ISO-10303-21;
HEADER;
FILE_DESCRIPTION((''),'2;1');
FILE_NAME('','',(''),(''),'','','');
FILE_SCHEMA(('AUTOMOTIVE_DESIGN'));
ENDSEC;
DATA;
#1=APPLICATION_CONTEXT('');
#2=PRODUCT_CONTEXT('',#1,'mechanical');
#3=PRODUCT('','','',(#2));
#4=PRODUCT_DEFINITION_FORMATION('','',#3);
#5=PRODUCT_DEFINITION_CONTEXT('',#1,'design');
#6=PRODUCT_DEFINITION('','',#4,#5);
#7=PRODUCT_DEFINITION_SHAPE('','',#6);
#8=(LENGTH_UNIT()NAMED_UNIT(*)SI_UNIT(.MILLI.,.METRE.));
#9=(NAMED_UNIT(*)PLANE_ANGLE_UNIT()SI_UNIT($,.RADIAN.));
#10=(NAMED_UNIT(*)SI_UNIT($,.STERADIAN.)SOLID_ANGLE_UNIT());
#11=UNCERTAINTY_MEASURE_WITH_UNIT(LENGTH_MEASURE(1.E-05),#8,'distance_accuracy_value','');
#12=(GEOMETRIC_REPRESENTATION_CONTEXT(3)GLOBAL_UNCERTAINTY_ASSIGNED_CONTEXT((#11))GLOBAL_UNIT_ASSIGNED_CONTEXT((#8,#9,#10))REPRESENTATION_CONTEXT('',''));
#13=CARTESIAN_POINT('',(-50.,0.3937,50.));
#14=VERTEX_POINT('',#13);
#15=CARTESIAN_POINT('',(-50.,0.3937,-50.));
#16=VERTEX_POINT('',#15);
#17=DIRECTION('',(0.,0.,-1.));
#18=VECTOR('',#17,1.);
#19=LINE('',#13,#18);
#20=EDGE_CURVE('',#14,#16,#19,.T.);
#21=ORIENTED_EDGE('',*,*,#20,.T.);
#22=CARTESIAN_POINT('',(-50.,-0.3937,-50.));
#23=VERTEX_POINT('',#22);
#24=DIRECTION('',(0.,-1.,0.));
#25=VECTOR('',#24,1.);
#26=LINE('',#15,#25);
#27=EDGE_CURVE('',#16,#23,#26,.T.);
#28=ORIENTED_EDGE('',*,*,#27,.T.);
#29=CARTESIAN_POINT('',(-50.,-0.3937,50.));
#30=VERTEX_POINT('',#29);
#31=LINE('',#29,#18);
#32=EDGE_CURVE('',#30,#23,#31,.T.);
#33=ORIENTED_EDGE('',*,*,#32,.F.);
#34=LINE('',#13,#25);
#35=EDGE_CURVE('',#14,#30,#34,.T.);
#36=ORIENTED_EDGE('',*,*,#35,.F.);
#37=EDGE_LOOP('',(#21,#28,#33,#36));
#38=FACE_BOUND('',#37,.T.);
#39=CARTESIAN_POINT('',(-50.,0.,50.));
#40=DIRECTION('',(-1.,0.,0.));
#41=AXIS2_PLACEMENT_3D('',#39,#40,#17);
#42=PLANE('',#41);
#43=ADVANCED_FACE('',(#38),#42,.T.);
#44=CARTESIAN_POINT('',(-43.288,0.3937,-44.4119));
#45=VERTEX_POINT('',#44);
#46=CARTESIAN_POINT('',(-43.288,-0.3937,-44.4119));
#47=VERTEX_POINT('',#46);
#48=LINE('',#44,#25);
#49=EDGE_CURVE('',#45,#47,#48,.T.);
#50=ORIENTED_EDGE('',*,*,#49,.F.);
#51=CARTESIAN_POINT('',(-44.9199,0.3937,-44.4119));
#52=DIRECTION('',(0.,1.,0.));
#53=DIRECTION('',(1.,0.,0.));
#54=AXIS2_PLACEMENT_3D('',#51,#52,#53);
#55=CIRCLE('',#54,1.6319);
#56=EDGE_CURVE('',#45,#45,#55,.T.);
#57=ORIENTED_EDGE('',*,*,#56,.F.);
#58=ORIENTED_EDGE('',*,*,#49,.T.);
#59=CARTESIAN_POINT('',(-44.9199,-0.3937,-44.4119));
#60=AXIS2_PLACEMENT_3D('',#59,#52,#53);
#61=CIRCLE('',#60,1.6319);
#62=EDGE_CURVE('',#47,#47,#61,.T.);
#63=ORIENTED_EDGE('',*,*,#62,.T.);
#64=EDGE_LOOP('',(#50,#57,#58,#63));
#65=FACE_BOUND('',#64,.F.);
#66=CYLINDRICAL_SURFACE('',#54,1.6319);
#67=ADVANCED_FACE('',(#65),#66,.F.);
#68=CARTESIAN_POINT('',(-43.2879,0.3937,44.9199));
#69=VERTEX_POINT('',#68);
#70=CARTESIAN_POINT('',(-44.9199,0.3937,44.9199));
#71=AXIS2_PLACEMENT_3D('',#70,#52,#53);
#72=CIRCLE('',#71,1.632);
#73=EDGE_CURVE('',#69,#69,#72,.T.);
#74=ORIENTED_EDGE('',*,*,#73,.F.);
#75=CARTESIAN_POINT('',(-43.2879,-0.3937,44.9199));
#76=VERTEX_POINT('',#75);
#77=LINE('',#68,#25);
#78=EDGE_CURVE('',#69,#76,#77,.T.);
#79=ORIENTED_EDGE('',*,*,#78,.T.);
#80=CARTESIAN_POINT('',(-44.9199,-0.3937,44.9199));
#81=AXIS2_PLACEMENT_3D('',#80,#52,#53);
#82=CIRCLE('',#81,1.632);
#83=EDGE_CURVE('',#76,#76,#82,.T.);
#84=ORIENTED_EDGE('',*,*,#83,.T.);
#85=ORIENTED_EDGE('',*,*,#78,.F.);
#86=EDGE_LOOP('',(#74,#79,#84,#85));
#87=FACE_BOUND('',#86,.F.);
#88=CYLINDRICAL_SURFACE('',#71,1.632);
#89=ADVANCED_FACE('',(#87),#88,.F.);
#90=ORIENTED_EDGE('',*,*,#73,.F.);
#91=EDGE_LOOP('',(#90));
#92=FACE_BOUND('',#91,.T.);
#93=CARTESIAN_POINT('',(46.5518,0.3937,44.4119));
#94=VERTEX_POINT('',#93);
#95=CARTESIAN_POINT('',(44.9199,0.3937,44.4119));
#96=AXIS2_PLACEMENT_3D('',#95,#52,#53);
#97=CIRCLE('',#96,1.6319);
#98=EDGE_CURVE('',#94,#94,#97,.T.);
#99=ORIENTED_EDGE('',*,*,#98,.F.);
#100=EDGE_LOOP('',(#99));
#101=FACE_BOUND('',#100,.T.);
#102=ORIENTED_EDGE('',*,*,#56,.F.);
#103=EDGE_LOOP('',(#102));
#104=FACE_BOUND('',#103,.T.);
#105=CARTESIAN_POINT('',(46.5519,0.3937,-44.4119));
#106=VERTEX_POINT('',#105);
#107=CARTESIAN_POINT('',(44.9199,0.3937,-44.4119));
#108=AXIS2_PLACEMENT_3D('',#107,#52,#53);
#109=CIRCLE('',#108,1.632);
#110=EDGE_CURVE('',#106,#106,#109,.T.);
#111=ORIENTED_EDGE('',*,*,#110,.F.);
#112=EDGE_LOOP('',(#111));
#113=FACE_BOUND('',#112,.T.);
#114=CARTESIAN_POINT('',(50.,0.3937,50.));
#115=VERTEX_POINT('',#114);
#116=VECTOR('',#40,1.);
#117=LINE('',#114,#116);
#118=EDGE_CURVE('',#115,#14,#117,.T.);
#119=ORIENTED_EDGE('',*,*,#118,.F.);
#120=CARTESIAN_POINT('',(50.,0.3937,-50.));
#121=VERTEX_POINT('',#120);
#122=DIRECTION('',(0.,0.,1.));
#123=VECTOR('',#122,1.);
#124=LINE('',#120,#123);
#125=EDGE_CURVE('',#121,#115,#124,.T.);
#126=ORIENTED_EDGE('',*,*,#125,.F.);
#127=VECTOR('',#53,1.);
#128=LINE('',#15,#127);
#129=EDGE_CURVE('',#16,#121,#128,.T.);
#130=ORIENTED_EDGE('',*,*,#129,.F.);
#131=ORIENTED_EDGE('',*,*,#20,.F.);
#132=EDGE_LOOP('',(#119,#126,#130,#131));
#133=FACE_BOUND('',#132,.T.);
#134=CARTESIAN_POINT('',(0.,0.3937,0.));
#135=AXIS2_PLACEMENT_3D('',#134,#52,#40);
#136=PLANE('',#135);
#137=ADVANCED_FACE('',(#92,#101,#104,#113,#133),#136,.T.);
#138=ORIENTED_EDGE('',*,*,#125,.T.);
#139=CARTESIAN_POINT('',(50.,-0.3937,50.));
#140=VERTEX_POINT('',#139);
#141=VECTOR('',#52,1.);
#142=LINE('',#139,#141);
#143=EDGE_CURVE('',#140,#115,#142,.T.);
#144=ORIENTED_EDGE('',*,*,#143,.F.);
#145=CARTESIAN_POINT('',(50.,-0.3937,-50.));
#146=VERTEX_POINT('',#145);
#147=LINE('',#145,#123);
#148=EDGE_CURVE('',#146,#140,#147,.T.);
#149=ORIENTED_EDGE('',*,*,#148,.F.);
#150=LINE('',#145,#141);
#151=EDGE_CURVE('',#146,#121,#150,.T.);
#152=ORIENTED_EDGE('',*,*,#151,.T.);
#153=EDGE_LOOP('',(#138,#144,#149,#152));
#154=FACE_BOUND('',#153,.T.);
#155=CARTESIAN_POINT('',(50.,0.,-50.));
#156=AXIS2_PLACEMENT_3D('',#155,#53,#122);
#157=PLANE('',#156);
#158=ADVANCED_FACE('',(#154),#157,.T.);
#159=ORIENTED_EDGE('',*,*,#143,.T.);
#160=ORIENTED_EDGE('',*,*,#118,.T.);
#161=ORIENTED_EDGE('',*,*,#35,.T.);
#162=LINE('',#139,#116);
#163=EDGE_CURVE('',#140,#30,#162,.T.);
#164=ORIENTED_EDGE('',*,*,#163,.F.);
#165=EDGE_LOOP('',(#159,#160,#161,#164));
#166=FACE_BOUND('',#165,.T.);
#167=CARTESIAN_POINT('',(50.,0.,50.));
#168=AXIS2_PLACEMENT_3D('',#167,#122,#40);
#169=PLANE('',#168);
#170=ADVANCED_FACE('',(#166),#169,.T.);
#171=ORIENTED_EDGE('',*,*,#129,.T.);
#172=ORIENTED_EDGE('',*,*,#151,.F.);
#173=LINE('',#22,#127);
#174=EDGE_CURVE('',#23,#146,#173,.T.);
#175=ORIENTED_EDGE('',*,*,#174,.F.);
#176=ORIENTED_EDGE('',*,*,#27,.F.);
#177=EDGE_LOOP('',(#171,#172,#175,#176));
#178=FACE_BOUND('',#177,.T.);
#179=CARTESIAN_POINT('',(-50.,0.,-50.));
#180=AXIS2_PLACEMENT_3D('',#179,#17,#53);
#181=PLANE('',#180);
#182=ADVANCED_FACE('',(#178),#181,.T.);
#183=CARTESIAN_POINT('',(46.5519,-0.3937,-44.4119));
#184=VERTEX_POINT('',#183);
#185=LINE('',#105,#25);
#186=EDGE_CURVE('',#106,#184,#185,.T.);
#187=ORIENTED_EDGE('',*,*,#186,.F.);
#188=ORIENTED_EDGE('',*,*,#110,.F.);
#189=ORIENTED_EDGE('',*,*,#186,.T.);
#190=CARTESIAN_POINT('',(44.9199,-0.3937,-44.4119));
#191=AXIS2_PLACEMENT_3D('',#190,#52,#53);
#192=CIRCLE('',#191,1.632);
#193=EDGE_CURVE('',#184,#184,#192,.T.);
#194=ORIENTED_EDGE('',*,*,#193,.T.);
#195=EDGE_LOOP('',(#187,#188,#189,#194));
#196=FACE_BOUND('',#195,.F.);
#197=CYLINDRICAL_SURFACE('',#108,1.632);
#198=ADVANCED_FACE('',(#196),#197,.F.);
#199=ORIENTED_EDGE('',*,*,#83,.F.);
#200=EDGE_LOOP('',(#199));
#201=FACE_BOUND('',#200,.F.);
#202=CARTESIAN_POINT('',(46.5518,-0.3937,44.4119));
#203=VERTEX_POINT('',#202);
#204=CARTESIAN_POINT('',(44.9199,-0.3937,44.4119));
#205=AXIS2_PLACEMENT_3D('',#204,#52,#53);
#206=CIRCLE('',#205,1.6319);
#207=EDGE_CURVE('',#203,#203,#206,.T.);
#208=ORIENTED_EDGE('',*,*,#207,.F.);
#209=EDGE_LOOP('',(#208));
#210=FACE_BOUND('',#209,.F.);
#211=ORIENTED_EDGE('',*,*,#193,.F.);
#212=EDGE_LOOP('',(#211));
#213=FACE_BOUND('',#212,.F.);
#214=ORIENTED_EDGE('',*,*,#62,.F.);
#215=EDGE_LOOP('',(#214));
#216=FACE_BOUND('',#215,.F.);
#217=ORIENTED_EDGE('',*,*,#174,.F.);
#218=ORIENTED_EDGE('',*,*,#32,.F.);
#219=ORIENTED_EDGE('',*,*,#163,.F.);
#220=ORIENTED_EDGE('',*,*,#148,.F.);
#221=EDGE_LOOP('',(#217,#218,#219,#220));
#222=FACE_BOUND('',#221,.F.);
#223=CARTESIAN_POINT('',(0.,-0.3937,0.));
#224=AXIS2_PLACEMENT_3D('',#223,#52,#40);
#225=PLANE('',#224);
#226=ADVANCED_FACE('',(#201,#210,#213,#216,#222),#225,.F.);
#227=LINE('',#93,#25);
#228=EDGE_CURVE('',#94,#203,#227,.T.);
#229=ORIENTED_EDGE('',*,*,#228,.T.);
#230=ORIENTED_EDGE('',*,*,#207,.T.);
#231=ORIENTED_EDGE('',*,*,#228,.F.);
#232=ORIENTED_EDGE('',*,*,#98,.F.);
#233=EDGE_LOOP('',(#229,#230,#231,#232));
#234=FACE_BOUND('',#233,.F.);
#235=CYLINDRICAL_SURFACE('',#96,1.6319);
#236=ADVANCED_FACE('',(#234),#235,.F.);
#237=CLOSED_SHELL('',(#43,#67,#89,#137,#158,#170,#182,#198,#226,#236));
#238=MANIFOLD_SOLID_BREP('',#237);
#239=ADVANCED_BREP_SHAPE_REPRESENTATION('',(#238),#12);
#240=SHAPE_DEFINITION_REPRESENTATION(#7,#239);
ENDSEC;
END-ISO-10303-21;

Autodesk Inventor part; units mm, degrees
ref_plane "YZ Plane" through (0, 0, 0) normal (1, 0, 0) x (0, 1, 0)
ref_plane "XZ Plane" through (0, 0, 0) normal (0, 1, 0) x (-1, 0, 0)
ref_plane "XY Plane" through (0, 0, 0) normal (0, 0, 1) x (1, 0, 0)
sketch "Sketch1" plane through (0, 0, 0) normal (0, 1, 0) x (-1, 0, 0)
  line L0 (-50, 50) -> (50, 50)
  line L1 (50, 50) -> (50, -50)
  line L2 (50, -50) -> (-50, -50)
  line L3 (-50, -50) -> (-50, 50)
  line L4 (-50, 50) -> (50, -50) construction
  line L5 (50, 50) -> (-50, -50) construction
  point P0 (0, 0)
  dimension "d0" = 100
  dimension "d1" = 100
extrude "Extrusion1" add sketch "Sketch1" along normal mid plane 0.7874
sketch "Sketch2" plane through (0, 0.3937, 0) normal (0, 1, 0) x (1, 0, 0)
  circle A0 centre (-44.9199, -44.9199) radius 1.632
  circle A1 centre (-44.9199, 44.4119) radius 1.6319
  circle A2 centre (44.9199, 44.4119) radius 1.632
  circle A3 centre (44.9199, -44.4119) radius 1.6319
  point P0 (0, 0)
  dimension "d4" = 3.2639
  dimension "d5" = 3.2639
  dimension "d6" = 3.2639
  dimension "d7" = 3.2639
extrude "Extrusion2" cut sketch "Sketch2" against normal through all
properties part number "2xSplitter"
